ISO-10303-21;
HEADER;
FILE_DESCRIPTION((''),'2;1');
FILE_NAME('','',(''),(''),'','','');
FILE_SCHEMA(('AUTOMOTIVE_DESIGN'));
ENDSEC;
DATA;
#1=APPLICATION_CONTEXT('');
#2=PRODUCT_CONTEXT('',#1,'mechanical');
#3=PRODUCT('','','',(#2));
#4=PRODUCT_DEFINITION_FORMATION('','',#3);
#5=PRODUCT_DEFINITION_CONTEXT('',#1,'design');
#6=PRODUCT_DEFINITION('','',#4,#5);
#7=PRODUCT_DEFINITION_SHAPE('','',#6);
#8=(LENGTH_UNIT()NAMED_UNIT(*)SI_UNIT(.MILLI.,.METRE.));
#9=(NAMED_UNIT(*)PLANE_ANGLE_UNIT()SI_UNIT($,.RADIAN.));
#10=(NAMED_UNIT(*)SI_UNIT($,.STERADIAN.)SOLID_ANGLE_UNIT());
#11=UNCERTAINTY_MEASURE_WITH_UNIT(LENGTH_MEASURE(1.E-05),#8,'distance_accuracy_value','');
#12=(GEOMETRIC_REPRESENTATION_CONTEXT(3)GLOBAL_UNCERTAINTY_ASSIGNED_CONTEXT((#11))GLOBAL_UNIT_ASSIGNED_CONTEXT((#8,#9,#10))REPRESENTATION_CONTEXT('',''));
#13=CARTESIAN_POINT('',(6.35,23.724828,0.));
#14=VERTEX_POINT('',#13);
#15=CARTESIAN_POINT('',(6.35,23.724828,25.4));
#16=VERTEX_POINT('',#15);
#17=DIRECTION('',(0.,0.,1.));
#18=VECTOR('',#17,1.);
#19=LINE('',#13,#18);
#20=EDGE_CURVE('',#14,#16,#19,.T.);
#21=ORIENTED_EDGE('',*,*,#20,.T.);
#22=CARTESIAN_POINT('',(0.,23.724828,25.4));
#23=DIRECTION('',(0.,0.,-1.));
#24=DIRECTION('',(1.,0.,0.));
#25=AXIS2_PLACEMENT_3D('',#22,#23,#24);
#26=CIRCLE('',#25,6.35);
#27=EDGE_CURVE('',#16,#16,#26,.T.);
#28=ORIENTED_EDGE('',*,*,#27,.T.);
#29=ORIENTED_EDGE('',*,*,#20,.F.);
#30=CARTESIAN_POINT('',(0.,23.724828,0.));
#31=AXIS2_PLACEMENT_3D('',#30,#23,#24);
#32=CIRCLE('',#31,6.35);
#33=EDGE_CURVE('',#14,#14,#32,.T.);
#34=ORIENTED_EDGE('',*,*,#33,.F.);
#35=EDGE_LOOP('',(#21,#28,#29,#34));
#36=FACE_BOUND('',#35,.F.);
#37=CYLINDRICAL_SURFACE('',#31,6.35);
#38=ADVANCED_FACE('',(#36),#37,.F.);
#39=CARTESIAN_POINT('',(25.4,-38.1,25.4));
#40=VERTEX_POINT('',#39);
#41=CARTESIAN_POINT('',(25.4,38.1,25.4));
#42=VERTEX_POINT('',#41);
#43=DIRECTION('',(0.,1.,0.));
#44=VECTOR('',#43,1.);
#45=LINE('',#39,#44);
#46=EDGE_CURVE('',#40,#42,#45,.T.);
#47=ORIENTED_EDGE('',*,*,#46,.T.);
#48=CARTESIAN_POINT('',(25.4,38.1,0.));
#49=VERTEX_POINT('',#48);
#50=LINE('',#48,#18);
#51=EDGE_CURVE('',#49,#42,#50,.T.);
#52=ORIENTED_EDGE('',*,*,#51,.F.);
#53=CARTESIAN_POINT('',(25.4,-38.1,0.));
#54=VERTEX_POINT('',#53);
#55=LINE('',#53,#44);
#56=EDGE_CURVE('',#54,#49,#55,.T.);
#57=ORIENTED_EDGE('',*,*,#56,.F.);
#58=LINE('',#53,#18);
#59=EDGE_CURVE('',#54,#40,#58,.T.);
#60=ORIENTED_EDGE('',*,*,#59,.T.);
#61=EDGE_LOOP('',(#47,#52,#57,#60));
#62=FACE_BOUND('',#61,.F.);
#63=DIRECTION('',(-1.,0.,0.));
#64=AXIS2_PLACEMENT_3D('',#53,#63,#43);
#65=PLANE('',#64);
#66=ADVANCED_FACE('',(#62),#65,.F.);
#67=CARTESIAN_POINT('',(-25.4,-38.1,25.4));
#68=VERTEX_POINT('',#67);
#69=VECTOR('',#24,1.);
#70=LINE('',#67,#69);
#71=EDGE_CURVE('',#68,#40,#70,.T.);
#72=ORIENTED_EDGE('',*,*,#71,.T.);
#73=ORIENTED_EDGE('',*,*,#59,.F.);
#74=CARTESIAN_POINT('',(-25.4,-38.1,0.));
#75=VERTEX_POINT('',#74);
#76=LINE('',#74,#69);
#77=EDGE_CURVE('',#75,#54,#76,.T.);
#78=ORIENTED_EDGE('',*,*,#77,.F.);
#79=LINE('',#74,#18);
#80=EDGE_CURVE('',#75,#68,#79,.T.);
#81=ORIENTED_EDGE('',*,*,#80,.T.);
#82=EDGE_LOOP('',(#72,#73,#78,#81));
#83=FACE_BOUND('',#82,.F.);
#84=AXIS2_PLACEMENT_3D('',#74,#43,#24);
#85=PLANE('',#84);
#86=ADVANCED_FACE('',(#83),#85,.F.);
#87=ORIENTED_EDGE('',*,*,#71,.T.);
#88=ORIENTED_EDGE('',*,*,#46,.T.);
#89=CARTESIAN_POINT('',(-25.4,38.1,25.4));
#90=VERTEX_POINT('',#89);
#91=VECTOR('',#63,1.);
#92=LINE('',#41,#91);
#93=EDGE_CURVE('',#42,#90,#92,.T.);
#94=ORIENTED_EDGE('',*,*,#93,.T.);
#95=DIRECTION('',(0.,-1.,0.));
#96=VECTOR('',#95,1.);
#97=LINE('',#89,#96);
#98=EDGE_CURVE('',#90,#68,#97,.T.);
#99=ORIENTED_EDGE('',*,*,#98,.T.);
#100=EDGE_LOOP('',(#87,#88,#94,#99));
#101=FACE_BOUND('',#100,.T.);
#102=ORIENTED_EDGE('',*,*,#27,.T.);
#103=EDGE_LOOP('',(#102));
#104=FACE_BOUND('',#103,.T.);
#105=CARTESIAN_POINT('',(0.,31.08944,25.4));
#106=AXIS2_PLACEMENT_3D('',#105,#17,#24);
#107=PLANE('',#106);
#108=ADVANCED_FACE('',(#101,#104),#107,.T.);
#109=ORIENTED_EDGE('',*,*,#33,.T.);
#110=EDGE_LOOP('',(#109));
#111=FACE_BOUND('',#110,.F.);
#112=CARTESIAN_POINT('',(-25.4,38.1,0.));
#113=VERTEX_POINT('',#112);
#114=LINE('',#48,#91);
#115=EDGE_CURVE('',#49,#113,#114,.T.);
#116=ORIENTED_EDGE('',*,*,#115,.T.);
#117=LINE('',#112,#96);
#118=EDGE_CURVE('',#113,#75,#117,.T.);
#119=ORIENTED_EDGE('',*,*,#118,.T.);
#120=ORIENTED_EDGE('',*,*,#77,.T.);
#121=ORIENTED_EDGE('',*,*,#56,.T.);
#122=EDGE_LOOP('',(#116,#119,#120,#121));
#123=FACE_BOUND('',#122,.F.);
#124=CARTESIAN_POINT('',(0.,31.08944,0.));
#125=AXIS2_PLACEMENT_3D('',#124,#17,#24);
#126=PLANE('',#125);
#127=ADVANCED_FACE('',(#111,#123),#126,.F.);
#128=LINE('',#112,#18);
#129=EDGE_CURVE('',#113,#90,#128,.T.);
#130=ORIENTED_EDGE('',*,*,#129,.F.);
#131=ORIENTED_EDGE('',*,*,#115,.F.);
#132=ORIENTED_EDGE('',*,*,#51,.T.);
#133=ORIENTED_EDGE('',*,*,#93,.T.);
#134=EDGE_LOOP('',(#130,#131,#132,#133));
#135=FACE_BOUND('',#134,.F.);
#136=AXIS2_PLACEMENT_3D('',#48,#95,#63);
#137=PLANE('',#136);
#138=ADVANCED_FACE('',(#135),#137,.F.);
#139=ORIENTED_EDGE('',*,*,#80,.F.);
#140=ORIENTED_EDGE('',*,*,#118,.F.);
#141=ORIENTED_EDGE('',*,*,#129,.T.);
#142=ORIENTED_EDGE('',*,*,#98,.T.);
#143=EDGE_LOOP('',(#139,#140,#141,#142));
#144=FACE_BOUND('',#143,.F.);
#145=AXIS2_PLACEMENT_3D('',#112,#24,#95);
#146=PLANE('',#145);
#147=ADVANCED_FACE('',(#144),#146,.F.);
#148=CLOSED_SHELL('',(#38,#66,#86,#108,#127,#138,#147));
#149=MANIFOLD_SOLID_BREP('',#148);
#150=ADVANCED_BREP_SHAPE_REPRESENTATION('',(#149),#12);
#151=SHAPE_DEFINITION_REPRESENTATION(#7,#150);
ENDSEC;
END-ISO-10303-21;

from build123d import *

# Parameters (mm, degrees)
F1_DEPTH = 25.4


with BuildPart() as f1:
    # F0 (on Top) → F1 (new body)
    with BuildSketch(Plane.XY):
        with BuildLine():
            Line((25.4, 23.724828), (25.4, 38.1))
            Line((25.4, 38.1), (-25.4, 38.1))
            Line((-25.4, 38.1), (-25.4, 23.724828))
            Line((-25.4, 23.724828), (-6.35, 23.724828))
            ThreePointArc((-6.35, 23.724828), (0, 30.074828), (6.35, 23.724828))
            Line((6.35, 23.724828), (25.4, 23.724828))
        make_face()
        with BuildLine():
            Line((25.4, -38.1), (25.4, 23.724828))
            Line((25.4, 23.724828), (6.35, 23.724828))
            ThreePointArc((6.35, 23.724828), (0, 17.374828), (-6.35, 23.724828))
            Line((-6.35, 23.724828), (-25.4, 23.724828))
            Line((-25.4, 23.724828), (-25.4, -38.1))
            Line((-25.4, -38.1), (25.4, -38.1))
        make_face()
    extrude(amount=F1_DEPTH)


solid = f1.part
